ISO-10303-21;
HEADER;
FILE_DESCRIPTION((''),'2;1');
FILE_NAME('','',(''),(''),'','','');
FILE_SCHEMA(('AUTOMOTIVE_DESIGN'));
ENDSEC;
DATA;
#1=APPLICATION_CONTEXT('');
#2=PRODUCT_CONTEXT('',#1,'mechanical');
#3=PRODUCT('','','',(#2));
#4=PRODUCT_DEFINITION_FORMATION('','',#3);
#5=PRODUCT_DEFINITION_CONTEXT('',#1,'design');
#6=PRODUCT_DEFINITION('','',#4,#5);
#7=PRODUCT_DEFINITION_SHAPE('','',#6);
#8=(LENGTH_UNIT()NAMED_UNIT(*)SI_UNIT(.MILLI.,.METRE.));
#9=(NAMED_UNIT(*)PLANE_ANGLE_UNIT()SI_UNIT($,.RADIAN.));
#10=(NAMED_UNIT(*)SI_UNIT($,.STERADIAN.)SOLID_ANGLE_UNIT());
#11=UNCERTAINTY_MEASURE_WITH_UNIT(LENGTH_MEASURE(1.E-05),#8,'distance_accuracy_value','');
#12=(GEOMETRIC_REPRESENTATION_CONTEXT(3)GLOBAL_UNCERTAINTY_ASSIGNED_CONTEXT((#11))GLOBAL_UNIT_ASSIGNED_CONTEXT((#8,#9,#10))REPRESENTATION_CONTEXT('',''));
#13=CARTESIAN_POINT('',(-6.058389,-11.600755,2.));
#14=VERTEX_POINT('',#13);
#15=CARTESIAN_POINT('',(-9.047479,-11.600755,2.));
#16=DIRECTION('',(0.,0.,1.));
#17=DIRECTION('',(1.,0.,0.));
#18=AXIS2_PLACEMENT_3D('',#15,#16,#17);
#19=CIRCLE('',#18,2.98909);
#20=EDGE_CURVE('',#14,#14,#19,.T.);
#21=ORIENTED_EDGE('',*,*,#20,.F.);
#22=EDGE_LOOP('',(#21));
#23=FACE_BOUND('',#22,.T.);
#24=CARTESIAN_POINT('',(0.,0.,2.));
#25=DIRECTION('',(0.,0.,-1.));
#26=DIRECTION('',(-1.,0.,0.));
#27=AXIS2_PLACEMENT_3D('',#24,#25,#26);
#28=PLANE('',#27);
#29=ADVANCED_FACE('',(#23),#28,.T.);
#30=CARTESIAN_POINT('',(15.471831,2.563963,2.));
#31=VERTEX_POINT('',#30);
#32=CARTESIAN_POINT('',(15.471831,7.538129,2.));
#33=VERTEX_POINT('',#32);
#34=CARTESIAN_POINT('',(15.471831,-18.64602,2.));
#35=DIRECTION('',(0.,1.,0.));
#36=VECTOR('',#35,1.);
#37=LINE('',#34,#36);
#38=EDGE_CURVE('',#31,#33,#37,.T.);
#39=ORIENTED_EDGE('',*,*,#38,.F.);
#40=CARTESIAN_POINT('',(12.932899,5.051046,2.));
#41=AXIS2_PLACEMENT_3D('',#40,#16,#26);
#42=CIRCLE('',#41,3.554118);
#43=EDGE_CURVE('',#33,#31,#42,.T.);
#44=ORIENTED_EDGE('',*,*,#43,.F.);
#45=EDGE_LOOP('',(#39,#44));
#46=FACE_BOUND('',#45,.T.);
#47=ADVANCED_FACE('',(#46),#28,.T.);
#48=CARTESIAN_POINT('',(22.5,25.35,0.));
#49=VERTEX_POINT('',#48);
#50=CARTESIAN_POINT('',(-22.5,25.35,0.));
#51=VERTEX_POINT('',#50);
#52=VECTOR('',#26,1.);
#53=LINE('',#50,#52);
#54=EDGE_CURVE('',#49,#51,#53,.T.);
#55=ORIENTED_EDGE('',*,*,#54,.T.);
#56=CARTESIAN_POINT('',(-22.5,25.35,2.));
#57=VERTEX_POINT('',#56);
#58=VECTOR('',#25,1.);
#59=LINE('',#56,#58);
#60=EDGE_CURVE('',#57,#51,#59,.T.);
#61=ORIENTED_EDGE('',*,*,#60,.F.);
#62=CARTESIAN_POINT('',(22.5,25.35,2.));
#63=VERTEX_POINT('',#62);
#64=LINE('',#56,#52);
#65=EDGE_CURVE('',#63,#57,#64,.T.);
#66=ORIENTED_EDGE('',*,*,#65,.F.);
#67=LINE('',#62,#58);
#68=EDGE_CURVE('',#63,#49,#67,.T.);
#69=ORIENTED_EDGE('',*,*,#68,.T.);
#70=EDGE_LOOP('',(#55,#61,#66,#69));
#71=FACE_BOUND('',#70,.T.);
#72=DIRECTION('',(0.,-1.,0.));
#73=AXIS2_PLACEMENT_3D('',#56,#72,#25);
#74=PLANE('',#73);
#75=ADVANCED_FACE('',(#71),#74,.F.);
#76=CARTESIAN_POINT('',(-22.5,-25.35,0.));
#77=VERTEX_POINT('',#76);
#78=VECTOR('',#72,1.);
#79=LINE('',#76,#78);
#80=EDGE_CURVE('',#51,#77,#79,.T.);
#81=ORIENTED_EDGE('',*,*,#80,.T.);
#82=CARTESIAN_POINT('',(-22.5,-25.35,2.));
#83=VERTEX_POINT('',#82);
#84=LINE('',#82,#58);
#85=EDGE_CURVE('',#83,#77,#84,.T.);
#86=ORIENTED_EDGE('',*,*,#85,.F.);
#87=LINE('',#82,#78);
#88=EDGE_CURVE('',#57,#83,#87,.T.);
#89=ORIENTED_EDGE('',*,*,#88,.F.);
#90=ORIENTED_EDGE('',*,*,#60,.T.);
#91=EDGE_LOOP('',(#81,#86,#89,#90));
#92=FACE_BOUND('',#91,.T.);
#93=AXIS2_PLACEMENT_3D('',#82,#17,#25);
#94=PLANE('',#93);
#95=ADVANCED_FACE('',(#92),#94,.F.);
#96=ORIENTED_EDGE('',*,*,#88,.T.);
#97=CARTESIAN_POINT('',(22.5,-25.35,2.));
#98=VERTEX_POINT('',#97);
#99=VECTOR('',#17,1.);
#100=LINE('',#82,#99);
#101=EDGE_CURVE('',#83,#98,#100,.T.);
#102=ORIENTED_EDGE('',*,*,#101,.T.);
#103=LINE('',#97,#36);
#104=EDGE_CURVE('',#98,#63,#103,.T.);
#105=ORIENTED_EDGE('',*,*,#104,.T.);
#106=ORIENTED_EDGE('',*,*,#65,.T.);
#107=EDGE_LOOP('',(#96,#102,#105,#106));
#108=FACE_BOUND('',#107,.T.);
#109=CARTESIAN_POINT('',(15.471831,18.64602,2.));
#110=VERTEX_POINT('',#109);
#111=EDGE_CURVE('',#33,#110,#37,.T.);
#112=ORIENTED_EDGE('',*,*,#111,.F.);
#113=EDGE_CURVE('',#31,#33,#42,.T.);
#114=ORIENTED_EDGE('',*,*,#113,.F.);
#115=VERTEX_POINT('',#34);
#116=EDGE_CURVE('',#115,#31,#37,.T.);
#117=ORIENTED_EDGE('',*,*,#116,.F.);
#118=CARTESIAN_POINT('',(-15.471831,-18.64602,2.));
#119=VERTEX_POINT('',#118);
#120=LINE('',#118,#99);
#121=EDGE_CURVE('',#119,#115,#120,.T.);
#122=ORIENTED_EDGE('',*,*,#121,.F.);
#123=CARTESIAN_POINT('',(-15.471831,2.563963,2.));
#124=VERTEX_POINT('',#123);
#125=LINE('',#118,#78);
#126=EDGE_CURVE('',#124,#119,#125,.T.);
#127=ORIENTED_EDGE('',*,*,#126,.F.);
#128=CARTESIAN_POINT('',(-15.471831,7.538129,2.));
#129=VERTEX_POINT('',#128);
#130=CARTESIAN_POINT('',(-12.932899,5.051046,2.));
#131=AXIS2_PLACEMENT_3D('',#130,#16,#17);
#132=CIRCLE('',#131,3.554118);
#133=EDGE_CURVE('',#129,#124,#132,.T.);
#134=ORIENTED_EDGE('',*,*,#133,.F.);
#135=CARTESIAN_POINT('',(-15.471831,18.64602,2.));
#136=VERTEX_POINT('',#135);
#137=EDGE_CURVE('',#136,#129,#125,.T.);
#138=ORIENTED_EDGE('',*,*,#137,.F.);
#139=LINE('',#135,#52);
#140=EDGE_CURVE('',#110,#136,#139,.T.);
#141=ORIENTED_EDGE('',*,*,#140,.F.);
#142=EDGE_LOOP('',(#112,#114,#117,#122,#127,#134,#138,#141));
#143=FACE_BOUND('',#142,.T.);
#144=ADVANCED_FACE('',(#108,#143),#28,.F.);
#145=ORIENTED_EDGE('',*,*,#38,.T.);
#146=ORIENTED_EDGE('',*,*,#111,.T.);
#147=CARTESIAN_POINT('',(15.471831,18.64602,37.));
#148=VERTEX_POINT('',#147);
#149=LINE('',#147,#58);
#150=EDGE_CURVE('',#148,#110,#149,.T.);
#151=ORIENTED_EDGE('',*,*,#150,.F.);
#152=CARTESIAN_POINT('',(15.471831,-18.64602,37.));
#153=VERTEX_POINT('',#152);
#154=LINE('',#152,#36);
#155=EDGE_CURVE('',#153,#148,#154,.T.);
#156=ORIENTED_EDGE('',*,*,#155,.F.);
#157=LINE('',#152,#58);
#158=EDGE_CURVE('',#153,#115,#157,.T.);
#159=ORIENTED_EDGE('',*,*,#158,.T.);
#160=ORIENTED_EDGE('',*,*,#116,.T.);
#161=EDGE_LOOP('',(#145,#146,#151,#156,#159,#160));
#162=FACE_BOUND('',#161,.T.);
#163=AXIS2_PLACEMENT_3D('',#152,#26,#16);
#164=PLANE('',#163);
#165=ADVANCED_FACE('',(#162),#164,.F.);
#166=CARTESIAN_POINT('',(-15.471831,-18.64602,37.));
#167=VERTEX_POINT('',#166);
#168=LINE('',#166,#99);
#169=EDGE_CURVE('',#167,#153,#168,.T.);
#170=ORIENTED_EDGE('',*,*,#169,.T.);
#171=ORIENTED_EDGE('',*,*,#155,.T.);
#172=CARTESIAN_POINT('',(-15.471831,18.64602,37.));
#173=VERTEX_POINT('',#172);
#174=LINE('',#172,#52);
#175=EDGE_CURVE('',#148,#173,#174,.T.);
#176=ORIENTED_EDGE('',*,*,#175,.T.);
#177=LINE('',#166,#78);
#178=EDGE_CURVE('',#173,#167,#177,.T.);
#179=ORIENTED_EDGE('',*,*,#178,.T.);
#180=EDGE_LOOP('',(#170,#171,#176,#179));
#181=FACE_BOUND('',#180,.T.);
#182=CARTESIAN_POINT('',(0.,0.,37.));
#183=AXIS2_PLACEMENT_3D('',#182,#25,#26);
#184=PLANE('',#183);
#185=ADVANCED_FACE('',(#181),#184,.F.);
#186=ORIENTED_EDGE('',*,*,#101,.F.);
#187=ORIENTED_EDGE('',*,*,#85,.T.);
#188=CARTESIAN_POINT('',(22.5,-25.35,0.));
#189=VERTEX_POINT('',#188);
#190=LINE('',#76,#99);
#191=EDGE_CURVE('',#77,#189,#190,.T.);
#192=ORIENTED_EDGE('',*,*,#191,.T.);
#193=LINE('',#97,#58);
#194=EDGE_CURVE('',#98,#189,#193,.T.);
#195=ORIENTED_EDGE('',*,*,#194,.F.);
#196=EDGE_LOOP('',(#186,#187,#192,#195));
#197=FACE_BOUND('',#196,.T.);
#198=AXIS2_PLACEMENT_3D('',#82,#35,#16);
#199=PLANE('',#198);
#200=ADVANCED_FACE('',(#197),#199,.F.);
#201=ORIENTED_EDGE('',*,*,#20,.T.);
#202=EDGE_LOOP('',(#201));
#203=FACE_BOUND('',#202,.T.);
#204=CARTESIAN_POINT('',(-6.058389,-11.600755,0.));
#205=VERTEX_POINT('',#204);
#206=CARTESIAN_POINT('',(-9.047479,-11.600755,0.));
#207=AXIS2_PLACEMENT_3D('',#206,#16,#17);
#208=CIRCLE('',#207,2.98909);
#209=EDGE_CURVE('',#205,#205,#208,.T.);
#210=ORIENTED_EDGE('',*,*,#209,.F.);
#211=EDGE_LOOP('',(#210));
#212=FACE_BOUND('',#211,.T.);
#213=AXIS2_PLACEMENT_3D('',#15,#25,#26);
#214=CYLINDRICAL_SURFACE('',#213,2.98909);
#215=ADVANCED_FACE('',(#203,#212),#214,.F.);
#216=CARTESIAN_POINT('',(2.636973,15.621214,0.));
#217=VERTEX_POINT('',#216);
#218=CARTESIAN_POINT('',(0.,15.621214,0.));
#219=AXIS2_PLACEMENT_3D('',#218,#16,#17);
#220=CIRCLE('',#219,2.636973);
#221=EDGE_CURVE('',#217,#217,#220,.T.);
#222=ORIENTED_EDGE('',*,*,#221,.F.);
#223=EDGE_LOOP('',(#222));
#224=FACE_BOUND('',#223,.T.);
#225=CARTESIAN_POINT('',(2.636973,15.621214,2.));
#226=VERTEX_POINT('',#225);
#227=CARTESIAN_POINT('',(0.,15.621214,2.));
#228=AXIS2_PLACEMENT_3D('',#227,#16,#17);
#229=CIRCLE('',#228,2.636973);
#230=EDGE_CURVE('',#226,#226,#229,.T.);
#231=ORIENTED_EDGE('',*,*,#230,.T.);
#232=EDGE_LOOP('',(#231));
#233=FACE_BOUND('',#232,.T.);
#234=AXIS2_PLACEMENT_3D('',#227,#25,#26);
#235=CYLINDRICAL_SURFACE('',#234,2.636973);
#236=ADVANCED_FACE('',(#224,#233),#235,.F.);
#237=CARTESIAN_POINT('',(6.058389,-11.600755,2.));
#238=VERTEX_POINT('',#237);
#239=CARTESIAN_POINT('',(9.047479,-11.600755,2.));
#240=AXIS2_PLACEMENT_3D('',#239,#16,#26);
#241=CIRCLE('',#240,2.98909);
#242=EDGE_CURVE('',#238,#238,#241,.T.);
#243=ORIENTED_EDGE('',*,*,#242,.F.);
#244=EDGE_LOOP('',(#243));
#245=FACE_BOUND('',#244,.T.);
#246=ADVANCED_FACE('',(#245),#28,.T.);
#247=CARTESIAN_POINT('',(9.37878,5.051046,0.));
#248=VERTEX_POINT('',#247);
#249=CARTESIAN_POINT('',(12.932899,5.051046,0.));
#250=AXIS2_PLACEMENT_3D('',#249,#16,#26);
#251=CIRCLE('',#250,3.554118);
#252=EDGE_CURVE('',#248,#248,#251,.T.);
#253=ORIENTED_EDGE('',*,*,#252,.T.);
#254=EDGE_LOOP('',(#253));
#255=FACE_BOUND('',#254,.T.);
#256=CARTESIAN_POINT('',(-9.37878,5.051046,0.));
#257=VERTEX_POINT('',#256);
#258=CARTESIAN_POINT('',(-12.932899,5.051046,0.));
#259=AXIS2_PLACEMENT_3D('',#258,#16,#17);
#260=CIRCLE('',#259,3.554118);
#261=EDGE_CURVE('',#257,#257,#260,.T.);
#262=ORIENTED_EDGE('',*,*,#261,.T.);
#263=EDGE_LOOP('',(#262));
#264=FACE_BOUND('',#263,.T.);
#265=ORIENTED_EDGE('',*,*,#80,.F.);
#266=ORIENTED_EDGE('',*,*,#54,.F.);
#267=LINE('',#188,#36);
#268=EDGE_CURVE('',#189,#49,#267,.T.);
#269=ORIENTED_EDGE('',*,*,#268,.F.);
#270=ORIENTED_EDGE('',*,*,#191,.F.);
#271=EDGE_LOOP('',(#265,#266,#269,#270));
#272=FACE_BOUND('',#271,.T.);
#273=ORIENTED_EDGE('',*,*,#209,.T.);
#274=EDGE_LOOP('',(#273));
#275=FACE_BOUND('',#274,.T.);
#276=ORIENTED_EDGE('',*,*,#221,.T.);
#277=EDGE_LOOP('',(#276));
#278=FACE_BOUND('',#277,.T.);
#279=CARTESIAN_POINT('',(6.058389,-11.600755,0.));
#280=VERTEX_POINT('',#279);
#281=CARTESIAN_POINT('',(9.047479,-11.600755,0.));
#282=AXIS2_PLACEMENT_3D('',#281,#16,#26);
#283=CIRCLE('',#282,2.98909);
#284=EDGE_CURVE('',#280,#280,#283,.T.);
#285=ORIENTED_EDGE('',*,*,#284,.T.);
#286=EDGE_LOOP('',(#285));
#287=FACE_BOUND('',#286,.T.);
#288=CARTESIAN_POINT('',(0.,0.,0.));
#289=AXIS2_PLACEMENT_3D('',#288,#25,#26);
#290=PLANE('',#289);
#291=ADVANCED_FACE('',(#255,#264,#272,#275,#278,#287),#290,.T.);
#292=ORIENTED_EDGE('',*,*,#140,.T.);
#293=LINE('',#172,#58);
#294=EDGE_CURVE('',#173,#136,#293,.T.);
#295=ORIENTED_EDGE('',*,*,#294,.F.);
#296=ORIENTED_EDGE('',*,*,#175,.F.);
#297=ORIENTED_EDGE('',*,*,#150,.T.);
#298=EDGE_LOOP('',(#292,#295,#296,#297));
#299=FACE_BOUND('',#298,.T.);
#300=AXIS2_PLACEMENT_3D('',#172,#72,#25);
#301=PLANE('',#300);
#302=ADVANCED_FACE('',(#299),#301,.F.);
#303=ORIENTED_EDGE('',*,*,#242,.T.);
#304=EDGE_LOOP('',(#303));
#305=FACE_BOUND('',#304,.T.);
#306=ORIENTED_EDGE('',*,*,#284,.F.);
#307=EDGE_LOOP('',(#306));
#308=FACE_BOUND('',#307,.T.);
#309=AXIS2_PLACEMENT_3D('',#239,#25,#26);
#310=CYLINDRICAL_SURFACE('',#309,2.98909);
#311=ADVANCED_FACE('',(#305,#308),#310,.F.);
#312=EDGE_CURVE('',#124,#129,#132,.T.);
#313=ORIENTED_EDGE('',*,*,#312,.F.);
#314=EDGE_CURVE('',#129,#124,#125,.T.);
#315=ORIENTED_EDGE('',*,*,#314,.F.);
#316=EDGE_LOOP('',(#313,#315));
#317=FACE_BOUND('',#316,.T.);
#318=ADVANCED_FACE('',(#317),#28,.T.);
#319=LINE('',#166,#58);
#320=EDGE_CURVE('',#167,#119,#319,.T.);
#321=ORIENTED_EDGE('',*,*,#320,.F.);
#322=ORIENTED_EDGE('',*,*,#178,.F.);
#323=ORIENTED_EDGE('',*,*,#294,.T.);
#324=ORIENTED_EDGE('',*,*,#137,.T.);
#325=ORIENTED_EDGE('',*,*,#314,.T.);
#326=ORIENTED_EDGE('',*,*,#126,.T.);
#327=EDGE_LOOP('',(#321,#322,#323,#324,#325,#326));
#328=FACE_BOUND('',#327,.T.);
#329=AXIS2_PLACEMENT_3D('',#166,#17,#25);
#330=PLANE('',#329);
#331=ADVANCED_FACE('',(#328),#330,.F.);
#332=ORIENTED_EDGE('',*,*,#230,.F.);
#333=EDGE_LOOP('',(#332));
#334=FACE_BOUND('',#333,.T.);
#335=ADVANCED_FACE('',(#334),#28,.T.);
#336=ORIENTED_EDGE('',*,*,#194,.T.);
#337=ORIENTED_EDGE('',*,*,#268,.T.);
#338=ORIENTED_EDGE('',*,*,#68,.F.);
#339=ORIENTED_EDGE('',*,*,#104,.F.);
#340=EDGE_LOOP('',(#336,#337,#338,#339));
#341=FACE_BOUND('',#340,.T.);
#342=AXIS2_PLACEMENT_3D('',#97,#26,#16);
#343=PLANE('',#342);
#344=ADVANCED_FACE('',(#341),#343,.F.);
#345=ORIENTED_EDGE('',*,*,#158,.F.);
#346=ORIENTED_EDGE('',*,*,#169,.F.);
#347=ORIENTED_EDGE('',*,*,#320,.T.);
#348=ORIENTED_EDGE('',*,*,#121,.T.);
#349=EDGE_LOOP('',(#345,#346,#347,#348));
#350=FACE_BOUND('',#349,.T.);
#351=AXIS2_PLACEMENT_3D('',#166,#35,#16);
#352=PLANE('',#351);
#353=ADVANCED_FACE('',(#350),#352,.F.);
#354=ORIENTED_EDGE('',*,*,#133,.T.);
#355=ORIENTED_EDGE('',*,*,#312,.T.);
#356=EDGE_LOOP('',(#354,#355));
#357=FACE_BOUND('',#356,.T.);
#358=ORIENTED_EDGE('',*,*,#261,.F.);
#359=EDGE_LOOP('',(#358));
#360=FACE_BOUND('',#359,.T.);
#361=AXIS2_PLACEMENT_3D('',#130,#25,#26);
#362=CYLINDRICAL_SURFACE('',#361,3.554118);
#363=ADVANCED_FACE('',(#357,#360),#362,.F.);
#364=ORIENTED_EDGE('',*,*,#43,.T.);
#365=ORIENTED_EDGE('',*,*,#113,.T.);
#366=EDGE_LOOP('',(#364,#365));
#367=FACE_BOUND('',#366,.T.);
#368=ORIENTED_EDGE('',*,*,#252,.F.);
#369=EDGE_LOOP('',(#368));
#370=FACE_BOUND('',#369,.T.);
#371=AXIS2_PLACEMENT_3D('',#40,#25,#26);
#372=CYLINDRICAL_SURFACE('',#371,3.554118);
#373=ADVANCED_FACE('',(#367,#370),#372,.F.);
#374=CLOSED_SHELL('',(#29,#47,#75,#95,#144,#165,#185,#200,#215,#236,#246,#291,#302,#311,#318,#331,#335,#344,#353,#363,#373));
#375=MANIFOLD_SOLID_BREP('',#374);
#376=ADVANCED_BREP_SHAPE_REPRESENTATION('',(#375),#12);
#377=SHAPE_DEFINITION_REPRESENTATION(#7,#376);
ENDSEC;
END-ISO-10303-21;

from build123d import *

# Parameters (mm, degrees)
SKETCH1_W           = 45
SKETCH1_H           = 50.7
SKETCH1_R           = 2.636973336
SKETCH1_R_2         = 3.554118364
SKETCH1_R_3         = 2.989089767
BOSS_EXTRUDE1_DEPTH = 2
SKETCH2_W           = 30.94366189
SKETCH2_H           = 37.292040818
BOSS_EXTRUDE2_DEPTH = 35


with BuildPart() as part:
    # Sketch1 → Boss-Extrude1 (new body)
    with BuildSketch(Plane.XY):
        Rectangle(SKETCH1_W, SKETCH1_H)
        with Locations((0, 15.621214427)):
            Circle(SKETCH1_R, mode=Mode.SUBTRACT)
        with Locations((-12.932898819, 5.05104632)):
            Circle(SKETCH1_R_2, mode=Mode.SUBTRACT)
        with Locations((-9.047478573, -11.600754735)):
            Circle(SKETCH1_R_3, mode=Mode.SUBTRACT)
        with Locations((9.047478573, -11.600754735)):
            Circle(SKETCH1_R_3, mode=Mode.SUBTRACT)
        with Locations((12.932898819, 5.05104632)):
            Circle(SKETCH1_R_2, mode=Mode.SUBTRACT)
    extrude(amount=BOSS_EXTRUDE1_DEPTH)

    # Sketch2 → Boss-Extrude2 (add)
    with BuildSketch(Plane.XY.offset(2)):
        Rectangle(SKETCH2_W, SKETCH2_H)
    extrude(amount=BOSS_EXTRUDE2_DEPTH)


solid = part.part
